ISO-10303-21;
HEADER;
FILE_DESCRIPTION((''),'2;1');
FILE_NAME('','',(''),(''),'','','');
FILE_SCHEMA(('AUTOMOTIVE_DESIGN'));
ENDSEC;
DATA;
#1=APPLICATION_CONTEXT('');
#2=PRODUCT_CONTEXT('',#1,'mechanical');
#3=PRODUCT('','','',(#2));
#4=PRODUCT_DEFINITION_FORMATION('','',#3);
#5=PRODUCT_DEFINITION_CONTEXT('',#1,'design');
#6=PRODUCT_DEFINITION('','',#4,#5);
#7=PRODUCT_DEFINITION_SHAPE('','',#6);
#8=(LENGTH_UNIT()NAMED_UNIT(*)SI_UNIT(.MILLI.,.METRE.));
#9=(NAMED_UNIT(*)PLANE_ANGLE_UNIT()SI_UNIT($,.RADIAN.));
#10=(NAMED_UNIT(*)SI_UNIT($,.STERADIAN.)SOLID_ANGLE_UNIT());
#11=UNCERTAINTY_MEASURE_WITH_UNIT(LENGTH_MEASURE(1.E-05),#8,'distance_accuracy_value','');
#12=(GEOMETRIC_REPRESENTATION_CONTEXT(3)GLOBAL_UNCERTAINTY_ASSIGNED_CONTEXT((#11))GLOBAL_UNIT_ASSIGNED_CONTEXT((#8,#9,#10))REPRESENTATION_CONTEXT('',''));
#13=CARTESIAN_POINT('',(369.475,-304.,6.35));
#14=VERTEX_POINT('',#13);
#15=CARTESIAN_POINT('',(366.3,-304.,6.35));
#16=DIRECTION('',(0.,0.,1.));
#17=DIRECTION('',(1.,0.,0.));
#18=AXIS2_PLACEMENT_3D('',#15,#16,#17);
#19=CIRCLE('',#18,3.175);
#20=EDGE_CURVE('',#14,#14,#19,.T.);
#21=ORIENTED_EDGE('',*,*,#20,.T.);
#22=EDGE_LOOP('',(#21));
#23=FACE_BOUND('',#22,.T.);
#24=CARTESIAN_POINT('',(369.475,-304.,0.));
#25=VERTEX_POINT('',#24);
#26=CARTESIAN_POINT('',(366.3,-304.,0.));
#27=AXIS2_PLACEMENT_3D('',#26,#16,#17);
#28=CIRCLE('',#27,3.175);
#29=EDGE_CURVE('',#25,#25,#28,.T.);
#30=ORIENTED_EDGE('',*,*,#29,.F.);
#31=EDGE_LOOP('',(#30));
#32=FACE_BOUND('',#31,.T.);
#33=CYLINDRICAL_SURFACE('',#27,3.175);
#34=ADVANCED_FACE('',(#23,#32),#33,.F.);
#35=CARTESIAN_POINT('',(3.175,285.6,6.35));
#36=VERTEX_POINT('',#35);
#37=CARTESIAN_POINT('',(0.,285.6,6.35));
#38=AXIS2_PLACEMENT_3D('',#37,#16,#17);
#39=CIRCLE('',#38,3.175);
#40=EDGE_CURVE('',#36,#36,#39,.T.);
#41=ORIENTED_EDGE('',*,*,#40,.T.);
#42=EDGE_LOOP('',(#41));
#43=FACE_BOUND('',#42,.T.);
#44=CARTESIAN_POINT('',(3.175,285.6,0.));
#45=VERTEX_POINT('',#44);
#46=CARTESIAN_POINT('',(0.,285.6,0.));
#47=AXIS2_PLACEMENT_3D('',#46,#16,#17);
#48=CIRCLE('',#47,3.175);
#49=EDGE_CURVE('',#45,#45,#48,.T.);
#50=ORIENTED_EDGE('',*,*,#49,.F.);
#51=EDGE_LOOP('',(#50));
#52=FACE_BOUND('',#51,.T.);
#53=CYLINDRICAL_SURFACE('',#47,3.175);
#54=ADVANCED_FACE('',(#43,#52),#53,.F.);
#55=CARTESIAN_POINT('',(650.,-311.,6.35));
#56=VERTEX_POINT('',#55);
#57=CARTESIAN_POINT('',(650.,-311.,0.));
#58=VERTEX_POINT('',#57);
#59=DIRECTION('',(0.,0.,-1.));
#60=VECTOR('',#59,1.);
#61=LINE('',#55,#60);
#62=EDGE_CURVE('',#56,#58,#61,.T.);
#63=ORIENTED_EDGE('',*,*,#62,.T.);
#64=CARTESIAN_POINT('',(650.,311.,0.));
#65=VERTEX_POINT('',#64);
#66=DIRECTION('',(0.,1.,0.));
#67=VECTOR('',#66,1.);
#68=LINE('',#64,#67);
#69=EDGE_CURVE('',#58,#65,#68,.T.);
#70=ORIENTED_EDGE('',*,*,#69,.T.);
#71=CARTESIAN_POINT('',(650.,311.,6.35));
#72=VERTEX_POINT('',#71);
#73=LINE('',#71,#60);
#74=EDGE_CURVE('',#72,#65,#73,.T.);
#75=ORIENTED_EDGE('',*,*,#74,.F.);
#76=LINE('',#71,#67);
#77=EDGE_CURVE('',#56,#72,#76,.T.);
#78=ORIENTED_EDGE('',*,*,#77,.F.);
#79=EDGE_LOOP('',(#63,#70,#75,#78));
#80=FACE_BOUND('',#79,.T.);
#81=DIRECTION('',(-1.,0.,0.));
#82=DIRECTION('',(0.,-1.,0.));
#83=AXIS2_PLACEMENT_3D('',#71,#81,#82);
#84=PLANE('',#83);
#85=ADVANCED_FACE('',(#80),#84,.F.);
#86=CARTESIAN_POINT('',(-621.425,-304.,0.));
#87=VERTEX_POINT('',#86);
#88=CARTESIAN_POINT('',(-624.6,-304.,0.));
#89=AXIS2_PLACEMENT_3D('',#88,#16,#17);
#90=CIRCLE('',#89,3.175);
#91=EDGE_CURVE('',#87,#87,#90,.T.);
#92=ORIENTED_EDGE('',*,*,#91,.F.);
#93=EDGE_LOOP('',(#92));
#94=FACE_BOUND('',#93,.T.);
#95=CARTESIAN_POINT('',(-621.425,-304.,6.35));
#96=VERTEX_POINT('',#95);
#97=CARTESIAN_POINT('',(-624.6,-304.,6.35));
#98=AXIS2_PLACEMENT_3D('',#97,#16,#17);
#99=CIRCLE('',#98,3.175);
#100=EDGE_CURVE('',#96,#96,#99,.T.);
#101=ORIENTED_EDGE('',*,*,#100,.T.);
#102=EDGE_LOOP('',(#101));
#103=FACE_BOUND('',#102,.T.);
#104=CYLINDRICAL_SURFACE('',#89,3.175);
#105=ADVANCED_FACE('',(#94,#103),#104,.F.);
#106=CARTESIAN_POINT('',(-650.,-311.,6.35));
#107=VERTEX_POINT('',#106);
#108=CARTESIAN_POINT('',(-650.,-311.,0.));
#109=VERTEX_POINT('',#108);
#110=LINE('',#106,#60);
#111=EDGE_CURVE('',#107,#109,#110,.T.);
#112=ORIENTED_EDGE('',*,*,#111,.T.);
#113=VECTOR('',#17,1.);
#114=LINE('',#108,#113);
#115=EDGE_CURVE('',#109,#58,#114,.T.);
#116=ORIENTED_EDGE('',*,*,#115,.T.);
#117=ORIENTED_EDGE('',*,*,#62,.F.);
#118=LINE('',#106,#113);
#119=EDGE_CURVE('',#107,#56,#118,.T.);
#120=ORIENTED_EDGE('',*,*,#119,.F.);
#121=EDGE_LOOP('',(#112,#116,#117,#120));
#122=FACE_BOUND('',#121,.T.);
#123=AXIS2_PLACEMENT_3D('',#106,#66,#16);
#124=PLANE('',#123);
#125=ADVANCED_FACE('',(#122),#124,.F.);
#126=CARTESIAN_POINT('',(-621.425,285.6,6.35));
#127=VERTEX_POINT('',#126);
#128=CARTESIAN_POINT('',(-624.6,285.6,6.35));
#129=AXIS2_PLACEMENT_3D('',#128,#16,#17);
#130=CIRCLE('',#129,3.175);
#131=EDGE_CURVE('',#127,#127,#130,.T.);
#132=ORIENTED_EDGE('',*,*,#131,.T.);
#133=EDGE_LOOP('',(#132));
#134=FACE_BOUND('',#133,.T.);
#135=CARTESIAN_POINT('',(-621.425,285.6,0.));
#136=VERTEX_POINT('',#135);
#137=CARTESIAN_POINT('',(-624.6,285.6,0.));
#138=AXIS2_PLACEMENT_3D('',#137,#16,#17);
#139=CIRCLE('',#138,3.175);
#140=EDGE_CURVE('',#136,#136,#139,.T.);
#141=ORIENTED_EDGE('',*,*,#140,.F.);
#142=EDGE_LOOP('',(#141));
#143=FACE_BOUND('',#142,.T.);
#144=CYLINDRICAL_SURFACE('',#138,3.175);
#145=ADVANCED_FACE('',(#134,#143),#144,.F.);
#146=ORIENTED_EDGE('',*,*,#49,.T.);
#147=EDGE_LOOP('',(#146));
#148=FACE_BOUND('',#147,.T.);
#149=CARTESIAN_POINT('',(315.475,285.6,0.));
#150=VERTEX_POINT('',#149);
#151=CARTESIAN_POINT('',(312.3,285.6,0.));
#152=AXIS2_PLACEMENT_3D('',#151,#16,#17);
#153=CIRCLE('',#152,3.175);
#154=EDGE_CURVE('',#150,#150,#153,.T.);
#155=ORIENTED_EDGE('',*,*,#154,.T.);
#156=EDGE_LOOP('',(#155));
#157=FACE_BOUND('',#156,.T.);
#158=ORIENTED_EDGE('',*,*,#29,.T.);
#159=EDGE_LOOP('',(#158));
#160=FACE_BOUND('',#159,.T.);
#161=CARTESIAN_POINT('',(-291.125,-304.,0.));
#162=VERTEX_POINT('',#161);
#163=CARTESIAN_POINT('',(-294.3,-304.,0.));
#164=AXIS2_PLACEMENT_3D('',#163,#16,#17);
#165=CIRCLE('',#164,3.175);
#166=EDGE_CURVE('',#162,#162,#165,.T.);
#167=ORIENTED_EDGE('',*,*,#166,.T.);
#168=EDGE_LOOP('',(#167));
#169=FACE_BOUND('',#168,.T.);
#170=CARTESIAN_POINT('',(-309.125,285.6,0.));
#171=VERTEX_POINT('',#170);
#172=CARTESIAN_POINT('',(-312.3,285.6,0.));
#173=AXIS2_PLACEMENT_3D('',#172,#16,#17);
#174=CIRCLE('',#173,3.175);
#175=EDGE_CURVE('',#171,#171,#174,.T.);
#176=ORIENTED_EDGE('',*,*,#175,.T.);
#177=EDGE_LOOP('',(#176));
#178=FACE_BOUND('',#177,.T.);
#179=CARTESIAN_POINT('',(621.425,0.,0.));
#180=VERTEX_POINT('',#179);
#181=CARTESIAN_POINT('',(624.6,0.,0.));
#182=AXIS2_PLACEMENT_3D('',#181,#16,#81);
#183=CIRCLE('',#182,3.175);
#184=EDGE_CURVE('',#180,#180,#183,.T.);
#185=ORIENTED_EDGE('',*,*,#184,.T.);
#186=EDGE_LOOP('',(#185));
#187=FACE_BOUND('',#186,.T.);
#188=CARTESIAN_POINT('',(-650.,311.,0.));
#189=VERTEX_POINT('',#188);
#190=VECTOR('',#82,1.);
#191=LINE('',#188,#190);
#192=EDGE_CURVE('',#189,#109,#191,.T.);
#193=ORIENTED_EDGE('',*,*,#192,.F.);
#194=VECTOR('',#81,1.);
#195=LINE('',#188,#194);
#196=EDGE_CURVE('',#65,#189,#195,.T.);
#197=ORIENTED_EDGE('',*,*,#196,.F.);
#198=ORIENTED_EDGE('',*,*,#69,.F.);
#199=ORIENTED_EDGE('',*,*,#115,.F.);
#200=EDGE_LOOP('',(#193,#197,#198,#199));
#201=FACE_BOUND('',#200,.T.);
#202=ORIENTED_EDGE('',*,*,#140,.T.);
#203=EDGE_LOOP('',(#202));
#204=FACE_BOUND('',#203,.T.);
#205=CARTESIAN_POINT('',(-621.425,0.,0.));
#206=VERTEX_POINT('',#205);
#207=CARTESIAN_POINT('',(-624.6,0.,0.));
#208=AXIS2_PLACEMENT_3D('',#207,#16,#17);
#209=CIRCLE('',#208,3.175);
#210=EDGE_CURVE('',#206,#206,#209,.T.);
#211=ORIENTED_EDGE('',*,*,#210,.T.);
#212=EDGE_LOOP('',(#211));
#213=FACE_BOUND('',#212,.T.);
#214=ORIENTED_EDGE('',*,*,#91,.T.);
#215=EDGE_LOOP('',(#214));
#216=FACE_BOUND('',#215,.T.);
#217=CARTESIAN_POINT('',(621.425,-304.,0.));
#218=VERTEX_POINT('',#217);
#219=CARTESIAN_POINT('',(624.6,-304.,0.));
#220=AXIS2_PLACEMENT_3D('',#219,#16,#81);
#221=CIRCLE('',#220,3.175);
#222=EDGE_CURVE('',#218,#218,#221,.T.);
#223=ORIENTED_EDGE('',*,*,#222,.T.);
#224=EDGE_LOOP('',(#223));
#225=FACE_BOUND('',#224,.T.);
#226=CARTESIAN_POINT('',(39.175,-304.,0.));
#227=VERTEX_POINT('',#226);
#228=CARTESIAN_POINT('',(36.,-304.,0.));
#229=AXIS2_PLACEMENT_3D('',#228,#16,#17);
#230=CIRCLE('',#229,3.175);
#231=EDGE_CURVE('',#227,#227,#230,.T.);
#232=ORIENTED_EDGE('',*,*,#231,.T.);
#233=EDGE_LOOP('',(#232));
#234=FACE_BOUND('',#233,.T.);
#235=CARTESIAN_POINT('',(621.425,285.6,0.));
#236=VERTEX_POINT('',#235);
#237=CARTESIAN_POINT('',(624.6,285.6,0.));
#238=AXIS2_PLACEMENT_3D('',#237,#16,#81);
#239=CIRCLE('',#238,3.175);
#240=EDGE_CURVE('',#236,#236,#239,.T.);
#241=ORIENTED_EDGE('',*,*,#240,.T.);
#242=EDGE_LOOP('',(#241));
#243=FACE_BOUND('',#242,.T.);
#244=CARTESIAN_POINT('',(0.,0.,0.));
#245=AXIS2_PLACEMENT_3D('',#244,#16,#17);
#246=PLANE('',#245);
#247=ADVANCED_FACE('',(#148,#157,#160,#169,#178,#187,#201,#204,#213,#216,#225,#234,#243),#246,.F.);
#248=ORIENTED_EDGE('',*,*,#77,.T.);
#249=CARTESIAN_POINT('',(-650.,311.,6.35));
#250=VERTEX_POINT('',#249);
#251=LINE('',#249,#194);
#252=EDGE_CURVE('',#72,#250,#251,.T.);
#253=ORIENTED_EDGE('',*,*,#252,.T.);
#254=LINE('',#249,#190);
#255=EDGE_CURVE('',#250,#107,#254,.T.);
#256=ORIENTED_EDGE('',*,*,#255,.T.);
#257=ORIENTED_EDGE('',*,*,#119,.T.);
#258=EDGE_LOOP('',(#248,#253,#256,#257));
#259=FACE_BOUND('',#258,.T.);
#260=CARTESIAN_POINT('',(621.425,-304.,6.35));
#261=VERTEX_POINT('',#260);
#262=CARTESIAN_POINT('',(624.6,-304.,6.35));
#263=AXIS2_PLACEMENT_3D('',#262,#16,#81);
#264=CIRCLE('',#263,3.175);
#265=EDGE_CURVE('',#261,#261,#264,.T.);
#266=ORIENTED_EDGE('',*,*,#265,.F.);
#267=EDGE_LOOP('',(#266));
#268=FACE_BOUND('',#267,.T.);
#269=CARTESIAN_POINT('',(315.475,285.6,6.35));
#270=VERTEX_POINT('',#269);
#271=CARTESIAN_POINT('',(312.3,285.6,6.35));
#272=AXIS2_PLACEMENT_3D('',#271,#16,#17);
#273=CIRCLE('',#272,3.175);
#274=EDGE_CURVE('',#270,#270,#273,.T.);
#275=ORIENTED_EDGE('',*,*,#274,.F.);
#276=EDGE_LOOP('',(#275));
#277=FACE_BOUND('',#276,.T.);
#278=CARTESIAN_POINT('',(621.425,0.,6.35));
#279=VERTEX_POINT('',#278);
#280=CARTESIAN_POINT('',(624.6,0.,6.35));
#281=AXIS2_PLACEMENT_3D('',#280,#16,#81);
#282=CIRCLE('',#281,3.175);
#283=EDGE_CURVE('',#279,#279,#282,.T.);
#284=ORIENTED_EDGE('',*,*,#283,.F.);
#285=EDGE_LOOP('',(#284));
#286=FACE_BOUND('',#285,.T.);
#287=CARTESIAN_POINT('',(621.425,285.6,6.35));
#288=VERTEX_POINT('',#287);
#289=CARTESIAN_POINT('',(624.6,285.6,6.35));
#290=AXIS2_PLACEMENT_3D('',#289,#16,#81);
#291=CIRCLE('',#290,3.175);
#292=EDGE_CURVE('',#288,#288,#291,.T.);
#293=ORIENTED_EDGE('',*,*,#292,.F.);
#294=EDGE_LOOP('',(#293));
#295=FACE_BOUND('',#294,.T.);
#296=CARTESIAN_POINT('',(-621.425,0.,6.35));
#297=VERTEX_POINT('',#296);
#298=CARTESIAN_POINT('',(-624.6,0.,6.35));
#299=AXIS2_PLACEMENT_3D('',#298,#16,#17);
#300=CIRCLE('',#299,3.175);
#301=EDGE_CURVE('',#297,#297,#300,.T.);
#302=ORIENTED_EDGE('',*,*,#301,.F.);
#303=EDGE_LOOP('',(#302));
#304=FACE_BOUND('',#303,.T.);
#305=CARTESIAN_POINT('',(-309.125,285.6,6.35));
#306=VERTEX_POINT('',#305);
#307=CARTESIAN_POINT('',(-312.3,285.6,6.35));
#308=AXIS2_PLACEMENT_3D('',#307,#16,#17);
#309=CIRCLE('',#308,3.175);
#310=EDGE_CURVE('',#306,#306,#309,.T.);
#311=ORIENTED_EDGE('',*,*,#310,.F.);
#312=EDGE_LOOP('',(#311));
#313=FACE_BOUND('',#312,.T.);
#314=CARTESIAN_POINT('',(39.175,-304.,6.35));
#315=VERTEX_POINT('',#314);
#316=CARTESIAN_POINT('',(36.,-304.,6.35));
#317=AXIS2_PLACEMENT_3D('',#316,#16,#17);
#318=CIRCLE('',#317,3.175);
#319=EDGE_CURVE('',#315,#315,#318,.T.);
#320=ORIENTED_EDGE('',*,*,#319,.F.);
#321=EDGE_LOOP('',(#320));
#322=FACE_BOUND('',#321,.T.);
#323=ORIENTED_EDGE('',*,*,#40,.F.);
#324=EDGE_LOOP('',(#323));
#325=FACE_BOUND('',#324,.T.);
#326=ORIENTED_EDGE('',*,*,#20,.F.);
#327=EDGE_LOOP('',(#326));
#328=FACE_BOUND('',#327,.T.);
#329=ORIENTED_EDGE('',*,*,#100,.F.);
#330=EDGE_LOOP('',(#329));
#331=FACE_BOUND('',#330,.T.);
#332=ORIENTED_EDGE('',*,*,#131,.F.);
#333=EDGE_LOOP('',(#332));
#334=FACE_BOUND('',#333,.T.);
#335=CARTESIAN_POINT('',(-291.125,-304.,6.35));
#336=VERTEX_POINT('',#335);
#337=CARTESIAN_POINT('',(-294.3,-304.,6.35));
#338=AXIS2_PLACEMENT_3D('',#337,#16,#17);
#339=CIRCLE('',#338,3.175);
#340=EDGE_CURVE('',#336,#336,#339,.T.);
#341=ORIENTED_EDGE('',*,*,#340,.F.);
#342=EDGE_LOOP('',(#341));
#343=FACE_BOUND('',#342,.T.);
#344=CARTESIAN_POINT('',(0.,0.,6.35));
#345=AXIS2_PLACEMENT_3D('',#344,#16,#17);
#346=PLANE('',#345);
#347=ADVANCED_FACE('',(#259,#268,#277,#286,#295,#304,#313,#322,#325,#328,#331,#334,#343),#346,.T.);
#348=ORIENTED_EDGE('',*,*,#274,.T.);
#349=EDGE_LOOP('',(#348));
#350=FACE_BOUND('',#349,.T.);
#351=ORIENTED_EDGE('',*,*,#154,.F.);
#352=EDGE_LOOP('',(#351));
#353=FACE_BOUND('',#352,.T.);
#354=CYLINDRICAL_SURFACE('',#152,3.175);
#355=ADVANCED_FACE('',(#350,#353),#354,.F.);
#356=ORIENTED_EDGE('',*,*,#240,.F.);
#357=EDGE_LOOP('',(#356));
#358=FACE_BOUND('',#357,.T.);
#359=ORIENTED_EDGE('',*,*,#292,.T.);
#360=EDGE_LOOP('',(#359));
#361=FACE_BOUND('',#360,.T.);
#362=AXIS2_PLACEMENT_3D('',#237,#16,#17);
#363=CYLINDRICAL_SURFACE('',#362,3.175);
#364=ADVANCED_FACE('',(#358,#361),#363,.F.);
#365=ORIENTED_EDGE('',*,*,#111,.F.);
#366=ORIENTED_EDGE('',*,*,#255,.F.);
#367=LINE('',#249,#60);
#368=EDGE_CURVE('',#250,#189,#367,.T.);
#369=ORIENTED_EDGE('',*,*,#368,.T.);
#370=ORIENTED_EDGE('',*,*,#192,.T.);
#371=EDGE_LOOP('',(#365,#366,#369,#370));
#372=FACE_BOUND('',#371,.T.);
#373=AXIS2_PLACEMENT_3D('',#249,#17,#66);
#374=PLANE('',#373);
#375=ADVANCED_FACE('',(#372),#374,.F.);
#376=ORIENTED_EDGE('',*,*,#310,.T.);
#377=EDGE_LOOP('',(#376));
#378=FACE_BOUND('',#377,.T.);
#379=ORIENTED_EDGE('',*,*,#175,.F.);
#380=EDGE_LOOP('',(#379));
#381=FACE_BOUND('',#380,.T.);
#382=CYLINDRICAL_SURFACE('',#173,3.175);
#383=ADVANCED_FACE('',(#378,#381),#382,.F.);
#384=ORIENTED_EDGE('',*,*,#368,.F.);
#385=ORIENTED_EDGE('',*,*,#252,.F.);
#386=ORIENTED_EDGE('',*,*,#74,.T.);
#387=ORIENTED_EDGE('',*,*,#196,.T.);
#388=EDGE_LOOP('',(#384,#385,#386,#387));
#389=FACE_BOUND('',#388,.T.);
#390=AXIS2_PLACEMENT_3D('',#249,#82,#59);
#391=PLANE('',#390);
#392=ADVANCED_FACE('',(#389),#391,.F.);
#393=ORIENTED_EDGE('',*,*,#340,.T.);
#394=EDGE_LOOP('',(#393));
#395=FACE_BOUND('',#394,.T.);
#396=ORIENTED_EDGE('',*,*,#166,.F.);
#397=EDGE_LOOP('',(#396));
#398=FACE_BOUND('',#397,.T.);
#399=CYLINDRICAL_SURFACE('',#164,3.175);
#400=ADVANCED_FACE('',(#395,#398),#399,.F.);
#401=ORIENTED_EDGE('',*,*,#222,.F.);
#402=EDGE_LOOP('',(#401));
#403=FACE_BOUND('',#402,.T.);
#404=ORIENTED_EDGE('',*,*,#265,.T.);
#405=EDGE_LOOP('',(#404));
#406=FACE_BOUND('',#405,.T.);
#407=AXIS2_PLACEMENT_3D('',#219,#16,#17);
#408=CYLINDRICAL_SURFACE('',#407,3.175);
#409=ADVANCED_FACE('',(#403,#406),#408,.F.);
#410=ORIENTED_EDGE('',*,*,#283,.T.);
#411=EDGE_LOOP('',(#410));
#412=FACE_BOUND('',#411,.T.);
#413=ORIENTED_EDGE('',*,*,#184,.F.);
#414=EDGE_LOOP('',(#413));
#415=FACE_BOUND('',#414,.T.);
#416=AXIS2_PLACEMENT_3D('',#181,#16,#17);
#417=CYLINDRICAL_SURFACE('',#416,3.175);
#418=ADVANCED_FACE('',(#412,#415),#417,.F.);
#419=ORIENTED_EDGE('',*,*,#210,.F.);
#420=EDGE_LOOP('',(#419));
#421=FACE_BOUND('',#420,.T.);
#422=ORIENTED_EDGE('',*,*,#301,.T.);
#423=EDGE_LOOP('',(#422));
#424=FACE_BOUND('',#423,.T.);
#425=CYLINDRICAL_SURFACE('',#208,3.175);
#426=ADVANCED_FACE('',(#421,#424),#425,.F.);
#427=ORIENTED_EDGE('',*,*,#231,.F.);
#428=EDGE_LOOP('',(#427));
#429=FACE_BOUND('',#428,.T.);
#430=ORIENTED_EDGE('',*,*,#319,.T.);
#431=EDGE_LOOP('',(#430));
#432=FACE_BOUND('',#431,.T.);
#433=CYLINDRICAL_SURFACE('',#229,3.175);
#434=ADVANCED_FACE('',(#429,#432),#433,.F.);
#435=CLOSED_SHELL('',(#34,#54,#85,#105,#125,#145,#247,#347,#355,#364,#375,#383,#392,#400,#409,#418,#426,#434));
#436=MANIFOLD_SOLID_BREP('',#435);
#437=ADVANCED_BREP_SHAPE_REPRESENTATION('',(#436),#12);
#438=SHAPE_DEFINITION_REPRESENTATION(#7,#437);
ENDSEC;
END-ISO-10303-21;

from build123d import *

# Parameters (mm, degrees)
CROQUIS1_W              = 1300
CROQUIS1_H              = 622
SALIENTE_EXTRUIR1_DEPTH = 6.35
CROQUIS2_R              = 3.175
CORTAR_EXTRUIR2_DEPTH   = 6.35


with BuildPart() as part:
    # Croquis1 → Saliente-Extruir1 (new body)
    with BuildSketch(Plane.XY):
        Rectangle(CROQUIS1_W, CROQUIS1_H)
    extrude(amount=SALIENTE_EXTRUIR1_DEPTH)

    # Croquis2 → Cortar-Extruir2 (cut)
    with BuildSketch(Plane.XY.offset(6.35)):
        with Locations((-624.6, 285.6)):
            Circle(CROQUIS2_R)
        with Locations((0, 285.6)):
            Circle(CROQUIS2_R)
        with Locations(Location((624.6, 285.6, 0), (0, 0, 180))):
            Circle(CROQUIS2_R)
        with Locations((-312.3, 285.6)):
            Circle(CROQUIS2_R)
        with Locations((312.3, 285.6)):
            Circle(CROQUIS2_R)
        with Locations((-624.6, 0)):
            Circle(CROQUIS2_R)
        with Locations(Location((624.6, 0, 0), (0, 0, 180))):
            Circle(CROQUIS2_R)
        with Locations((-624.6, -304)):
            Circle(CROQUIS2_R)
        with Locations(Location((624.6, -304, 0), (0, 0, 180))):
            Circle(CROQUIS2_R)
        with Locations((-294.3, -304)):
            Circle(CROQUIS2_R)
        with Locations((36, -304)):
            Circle(CROQUIS2_R)
        with Locations((366.3, -304)):
            Circle(CROQUIS2_R)
    extrude(amount=-CORTAR_EXTRUIR2_DEPTH, mode=Mode.SUBTRACT)


solid = part.part
